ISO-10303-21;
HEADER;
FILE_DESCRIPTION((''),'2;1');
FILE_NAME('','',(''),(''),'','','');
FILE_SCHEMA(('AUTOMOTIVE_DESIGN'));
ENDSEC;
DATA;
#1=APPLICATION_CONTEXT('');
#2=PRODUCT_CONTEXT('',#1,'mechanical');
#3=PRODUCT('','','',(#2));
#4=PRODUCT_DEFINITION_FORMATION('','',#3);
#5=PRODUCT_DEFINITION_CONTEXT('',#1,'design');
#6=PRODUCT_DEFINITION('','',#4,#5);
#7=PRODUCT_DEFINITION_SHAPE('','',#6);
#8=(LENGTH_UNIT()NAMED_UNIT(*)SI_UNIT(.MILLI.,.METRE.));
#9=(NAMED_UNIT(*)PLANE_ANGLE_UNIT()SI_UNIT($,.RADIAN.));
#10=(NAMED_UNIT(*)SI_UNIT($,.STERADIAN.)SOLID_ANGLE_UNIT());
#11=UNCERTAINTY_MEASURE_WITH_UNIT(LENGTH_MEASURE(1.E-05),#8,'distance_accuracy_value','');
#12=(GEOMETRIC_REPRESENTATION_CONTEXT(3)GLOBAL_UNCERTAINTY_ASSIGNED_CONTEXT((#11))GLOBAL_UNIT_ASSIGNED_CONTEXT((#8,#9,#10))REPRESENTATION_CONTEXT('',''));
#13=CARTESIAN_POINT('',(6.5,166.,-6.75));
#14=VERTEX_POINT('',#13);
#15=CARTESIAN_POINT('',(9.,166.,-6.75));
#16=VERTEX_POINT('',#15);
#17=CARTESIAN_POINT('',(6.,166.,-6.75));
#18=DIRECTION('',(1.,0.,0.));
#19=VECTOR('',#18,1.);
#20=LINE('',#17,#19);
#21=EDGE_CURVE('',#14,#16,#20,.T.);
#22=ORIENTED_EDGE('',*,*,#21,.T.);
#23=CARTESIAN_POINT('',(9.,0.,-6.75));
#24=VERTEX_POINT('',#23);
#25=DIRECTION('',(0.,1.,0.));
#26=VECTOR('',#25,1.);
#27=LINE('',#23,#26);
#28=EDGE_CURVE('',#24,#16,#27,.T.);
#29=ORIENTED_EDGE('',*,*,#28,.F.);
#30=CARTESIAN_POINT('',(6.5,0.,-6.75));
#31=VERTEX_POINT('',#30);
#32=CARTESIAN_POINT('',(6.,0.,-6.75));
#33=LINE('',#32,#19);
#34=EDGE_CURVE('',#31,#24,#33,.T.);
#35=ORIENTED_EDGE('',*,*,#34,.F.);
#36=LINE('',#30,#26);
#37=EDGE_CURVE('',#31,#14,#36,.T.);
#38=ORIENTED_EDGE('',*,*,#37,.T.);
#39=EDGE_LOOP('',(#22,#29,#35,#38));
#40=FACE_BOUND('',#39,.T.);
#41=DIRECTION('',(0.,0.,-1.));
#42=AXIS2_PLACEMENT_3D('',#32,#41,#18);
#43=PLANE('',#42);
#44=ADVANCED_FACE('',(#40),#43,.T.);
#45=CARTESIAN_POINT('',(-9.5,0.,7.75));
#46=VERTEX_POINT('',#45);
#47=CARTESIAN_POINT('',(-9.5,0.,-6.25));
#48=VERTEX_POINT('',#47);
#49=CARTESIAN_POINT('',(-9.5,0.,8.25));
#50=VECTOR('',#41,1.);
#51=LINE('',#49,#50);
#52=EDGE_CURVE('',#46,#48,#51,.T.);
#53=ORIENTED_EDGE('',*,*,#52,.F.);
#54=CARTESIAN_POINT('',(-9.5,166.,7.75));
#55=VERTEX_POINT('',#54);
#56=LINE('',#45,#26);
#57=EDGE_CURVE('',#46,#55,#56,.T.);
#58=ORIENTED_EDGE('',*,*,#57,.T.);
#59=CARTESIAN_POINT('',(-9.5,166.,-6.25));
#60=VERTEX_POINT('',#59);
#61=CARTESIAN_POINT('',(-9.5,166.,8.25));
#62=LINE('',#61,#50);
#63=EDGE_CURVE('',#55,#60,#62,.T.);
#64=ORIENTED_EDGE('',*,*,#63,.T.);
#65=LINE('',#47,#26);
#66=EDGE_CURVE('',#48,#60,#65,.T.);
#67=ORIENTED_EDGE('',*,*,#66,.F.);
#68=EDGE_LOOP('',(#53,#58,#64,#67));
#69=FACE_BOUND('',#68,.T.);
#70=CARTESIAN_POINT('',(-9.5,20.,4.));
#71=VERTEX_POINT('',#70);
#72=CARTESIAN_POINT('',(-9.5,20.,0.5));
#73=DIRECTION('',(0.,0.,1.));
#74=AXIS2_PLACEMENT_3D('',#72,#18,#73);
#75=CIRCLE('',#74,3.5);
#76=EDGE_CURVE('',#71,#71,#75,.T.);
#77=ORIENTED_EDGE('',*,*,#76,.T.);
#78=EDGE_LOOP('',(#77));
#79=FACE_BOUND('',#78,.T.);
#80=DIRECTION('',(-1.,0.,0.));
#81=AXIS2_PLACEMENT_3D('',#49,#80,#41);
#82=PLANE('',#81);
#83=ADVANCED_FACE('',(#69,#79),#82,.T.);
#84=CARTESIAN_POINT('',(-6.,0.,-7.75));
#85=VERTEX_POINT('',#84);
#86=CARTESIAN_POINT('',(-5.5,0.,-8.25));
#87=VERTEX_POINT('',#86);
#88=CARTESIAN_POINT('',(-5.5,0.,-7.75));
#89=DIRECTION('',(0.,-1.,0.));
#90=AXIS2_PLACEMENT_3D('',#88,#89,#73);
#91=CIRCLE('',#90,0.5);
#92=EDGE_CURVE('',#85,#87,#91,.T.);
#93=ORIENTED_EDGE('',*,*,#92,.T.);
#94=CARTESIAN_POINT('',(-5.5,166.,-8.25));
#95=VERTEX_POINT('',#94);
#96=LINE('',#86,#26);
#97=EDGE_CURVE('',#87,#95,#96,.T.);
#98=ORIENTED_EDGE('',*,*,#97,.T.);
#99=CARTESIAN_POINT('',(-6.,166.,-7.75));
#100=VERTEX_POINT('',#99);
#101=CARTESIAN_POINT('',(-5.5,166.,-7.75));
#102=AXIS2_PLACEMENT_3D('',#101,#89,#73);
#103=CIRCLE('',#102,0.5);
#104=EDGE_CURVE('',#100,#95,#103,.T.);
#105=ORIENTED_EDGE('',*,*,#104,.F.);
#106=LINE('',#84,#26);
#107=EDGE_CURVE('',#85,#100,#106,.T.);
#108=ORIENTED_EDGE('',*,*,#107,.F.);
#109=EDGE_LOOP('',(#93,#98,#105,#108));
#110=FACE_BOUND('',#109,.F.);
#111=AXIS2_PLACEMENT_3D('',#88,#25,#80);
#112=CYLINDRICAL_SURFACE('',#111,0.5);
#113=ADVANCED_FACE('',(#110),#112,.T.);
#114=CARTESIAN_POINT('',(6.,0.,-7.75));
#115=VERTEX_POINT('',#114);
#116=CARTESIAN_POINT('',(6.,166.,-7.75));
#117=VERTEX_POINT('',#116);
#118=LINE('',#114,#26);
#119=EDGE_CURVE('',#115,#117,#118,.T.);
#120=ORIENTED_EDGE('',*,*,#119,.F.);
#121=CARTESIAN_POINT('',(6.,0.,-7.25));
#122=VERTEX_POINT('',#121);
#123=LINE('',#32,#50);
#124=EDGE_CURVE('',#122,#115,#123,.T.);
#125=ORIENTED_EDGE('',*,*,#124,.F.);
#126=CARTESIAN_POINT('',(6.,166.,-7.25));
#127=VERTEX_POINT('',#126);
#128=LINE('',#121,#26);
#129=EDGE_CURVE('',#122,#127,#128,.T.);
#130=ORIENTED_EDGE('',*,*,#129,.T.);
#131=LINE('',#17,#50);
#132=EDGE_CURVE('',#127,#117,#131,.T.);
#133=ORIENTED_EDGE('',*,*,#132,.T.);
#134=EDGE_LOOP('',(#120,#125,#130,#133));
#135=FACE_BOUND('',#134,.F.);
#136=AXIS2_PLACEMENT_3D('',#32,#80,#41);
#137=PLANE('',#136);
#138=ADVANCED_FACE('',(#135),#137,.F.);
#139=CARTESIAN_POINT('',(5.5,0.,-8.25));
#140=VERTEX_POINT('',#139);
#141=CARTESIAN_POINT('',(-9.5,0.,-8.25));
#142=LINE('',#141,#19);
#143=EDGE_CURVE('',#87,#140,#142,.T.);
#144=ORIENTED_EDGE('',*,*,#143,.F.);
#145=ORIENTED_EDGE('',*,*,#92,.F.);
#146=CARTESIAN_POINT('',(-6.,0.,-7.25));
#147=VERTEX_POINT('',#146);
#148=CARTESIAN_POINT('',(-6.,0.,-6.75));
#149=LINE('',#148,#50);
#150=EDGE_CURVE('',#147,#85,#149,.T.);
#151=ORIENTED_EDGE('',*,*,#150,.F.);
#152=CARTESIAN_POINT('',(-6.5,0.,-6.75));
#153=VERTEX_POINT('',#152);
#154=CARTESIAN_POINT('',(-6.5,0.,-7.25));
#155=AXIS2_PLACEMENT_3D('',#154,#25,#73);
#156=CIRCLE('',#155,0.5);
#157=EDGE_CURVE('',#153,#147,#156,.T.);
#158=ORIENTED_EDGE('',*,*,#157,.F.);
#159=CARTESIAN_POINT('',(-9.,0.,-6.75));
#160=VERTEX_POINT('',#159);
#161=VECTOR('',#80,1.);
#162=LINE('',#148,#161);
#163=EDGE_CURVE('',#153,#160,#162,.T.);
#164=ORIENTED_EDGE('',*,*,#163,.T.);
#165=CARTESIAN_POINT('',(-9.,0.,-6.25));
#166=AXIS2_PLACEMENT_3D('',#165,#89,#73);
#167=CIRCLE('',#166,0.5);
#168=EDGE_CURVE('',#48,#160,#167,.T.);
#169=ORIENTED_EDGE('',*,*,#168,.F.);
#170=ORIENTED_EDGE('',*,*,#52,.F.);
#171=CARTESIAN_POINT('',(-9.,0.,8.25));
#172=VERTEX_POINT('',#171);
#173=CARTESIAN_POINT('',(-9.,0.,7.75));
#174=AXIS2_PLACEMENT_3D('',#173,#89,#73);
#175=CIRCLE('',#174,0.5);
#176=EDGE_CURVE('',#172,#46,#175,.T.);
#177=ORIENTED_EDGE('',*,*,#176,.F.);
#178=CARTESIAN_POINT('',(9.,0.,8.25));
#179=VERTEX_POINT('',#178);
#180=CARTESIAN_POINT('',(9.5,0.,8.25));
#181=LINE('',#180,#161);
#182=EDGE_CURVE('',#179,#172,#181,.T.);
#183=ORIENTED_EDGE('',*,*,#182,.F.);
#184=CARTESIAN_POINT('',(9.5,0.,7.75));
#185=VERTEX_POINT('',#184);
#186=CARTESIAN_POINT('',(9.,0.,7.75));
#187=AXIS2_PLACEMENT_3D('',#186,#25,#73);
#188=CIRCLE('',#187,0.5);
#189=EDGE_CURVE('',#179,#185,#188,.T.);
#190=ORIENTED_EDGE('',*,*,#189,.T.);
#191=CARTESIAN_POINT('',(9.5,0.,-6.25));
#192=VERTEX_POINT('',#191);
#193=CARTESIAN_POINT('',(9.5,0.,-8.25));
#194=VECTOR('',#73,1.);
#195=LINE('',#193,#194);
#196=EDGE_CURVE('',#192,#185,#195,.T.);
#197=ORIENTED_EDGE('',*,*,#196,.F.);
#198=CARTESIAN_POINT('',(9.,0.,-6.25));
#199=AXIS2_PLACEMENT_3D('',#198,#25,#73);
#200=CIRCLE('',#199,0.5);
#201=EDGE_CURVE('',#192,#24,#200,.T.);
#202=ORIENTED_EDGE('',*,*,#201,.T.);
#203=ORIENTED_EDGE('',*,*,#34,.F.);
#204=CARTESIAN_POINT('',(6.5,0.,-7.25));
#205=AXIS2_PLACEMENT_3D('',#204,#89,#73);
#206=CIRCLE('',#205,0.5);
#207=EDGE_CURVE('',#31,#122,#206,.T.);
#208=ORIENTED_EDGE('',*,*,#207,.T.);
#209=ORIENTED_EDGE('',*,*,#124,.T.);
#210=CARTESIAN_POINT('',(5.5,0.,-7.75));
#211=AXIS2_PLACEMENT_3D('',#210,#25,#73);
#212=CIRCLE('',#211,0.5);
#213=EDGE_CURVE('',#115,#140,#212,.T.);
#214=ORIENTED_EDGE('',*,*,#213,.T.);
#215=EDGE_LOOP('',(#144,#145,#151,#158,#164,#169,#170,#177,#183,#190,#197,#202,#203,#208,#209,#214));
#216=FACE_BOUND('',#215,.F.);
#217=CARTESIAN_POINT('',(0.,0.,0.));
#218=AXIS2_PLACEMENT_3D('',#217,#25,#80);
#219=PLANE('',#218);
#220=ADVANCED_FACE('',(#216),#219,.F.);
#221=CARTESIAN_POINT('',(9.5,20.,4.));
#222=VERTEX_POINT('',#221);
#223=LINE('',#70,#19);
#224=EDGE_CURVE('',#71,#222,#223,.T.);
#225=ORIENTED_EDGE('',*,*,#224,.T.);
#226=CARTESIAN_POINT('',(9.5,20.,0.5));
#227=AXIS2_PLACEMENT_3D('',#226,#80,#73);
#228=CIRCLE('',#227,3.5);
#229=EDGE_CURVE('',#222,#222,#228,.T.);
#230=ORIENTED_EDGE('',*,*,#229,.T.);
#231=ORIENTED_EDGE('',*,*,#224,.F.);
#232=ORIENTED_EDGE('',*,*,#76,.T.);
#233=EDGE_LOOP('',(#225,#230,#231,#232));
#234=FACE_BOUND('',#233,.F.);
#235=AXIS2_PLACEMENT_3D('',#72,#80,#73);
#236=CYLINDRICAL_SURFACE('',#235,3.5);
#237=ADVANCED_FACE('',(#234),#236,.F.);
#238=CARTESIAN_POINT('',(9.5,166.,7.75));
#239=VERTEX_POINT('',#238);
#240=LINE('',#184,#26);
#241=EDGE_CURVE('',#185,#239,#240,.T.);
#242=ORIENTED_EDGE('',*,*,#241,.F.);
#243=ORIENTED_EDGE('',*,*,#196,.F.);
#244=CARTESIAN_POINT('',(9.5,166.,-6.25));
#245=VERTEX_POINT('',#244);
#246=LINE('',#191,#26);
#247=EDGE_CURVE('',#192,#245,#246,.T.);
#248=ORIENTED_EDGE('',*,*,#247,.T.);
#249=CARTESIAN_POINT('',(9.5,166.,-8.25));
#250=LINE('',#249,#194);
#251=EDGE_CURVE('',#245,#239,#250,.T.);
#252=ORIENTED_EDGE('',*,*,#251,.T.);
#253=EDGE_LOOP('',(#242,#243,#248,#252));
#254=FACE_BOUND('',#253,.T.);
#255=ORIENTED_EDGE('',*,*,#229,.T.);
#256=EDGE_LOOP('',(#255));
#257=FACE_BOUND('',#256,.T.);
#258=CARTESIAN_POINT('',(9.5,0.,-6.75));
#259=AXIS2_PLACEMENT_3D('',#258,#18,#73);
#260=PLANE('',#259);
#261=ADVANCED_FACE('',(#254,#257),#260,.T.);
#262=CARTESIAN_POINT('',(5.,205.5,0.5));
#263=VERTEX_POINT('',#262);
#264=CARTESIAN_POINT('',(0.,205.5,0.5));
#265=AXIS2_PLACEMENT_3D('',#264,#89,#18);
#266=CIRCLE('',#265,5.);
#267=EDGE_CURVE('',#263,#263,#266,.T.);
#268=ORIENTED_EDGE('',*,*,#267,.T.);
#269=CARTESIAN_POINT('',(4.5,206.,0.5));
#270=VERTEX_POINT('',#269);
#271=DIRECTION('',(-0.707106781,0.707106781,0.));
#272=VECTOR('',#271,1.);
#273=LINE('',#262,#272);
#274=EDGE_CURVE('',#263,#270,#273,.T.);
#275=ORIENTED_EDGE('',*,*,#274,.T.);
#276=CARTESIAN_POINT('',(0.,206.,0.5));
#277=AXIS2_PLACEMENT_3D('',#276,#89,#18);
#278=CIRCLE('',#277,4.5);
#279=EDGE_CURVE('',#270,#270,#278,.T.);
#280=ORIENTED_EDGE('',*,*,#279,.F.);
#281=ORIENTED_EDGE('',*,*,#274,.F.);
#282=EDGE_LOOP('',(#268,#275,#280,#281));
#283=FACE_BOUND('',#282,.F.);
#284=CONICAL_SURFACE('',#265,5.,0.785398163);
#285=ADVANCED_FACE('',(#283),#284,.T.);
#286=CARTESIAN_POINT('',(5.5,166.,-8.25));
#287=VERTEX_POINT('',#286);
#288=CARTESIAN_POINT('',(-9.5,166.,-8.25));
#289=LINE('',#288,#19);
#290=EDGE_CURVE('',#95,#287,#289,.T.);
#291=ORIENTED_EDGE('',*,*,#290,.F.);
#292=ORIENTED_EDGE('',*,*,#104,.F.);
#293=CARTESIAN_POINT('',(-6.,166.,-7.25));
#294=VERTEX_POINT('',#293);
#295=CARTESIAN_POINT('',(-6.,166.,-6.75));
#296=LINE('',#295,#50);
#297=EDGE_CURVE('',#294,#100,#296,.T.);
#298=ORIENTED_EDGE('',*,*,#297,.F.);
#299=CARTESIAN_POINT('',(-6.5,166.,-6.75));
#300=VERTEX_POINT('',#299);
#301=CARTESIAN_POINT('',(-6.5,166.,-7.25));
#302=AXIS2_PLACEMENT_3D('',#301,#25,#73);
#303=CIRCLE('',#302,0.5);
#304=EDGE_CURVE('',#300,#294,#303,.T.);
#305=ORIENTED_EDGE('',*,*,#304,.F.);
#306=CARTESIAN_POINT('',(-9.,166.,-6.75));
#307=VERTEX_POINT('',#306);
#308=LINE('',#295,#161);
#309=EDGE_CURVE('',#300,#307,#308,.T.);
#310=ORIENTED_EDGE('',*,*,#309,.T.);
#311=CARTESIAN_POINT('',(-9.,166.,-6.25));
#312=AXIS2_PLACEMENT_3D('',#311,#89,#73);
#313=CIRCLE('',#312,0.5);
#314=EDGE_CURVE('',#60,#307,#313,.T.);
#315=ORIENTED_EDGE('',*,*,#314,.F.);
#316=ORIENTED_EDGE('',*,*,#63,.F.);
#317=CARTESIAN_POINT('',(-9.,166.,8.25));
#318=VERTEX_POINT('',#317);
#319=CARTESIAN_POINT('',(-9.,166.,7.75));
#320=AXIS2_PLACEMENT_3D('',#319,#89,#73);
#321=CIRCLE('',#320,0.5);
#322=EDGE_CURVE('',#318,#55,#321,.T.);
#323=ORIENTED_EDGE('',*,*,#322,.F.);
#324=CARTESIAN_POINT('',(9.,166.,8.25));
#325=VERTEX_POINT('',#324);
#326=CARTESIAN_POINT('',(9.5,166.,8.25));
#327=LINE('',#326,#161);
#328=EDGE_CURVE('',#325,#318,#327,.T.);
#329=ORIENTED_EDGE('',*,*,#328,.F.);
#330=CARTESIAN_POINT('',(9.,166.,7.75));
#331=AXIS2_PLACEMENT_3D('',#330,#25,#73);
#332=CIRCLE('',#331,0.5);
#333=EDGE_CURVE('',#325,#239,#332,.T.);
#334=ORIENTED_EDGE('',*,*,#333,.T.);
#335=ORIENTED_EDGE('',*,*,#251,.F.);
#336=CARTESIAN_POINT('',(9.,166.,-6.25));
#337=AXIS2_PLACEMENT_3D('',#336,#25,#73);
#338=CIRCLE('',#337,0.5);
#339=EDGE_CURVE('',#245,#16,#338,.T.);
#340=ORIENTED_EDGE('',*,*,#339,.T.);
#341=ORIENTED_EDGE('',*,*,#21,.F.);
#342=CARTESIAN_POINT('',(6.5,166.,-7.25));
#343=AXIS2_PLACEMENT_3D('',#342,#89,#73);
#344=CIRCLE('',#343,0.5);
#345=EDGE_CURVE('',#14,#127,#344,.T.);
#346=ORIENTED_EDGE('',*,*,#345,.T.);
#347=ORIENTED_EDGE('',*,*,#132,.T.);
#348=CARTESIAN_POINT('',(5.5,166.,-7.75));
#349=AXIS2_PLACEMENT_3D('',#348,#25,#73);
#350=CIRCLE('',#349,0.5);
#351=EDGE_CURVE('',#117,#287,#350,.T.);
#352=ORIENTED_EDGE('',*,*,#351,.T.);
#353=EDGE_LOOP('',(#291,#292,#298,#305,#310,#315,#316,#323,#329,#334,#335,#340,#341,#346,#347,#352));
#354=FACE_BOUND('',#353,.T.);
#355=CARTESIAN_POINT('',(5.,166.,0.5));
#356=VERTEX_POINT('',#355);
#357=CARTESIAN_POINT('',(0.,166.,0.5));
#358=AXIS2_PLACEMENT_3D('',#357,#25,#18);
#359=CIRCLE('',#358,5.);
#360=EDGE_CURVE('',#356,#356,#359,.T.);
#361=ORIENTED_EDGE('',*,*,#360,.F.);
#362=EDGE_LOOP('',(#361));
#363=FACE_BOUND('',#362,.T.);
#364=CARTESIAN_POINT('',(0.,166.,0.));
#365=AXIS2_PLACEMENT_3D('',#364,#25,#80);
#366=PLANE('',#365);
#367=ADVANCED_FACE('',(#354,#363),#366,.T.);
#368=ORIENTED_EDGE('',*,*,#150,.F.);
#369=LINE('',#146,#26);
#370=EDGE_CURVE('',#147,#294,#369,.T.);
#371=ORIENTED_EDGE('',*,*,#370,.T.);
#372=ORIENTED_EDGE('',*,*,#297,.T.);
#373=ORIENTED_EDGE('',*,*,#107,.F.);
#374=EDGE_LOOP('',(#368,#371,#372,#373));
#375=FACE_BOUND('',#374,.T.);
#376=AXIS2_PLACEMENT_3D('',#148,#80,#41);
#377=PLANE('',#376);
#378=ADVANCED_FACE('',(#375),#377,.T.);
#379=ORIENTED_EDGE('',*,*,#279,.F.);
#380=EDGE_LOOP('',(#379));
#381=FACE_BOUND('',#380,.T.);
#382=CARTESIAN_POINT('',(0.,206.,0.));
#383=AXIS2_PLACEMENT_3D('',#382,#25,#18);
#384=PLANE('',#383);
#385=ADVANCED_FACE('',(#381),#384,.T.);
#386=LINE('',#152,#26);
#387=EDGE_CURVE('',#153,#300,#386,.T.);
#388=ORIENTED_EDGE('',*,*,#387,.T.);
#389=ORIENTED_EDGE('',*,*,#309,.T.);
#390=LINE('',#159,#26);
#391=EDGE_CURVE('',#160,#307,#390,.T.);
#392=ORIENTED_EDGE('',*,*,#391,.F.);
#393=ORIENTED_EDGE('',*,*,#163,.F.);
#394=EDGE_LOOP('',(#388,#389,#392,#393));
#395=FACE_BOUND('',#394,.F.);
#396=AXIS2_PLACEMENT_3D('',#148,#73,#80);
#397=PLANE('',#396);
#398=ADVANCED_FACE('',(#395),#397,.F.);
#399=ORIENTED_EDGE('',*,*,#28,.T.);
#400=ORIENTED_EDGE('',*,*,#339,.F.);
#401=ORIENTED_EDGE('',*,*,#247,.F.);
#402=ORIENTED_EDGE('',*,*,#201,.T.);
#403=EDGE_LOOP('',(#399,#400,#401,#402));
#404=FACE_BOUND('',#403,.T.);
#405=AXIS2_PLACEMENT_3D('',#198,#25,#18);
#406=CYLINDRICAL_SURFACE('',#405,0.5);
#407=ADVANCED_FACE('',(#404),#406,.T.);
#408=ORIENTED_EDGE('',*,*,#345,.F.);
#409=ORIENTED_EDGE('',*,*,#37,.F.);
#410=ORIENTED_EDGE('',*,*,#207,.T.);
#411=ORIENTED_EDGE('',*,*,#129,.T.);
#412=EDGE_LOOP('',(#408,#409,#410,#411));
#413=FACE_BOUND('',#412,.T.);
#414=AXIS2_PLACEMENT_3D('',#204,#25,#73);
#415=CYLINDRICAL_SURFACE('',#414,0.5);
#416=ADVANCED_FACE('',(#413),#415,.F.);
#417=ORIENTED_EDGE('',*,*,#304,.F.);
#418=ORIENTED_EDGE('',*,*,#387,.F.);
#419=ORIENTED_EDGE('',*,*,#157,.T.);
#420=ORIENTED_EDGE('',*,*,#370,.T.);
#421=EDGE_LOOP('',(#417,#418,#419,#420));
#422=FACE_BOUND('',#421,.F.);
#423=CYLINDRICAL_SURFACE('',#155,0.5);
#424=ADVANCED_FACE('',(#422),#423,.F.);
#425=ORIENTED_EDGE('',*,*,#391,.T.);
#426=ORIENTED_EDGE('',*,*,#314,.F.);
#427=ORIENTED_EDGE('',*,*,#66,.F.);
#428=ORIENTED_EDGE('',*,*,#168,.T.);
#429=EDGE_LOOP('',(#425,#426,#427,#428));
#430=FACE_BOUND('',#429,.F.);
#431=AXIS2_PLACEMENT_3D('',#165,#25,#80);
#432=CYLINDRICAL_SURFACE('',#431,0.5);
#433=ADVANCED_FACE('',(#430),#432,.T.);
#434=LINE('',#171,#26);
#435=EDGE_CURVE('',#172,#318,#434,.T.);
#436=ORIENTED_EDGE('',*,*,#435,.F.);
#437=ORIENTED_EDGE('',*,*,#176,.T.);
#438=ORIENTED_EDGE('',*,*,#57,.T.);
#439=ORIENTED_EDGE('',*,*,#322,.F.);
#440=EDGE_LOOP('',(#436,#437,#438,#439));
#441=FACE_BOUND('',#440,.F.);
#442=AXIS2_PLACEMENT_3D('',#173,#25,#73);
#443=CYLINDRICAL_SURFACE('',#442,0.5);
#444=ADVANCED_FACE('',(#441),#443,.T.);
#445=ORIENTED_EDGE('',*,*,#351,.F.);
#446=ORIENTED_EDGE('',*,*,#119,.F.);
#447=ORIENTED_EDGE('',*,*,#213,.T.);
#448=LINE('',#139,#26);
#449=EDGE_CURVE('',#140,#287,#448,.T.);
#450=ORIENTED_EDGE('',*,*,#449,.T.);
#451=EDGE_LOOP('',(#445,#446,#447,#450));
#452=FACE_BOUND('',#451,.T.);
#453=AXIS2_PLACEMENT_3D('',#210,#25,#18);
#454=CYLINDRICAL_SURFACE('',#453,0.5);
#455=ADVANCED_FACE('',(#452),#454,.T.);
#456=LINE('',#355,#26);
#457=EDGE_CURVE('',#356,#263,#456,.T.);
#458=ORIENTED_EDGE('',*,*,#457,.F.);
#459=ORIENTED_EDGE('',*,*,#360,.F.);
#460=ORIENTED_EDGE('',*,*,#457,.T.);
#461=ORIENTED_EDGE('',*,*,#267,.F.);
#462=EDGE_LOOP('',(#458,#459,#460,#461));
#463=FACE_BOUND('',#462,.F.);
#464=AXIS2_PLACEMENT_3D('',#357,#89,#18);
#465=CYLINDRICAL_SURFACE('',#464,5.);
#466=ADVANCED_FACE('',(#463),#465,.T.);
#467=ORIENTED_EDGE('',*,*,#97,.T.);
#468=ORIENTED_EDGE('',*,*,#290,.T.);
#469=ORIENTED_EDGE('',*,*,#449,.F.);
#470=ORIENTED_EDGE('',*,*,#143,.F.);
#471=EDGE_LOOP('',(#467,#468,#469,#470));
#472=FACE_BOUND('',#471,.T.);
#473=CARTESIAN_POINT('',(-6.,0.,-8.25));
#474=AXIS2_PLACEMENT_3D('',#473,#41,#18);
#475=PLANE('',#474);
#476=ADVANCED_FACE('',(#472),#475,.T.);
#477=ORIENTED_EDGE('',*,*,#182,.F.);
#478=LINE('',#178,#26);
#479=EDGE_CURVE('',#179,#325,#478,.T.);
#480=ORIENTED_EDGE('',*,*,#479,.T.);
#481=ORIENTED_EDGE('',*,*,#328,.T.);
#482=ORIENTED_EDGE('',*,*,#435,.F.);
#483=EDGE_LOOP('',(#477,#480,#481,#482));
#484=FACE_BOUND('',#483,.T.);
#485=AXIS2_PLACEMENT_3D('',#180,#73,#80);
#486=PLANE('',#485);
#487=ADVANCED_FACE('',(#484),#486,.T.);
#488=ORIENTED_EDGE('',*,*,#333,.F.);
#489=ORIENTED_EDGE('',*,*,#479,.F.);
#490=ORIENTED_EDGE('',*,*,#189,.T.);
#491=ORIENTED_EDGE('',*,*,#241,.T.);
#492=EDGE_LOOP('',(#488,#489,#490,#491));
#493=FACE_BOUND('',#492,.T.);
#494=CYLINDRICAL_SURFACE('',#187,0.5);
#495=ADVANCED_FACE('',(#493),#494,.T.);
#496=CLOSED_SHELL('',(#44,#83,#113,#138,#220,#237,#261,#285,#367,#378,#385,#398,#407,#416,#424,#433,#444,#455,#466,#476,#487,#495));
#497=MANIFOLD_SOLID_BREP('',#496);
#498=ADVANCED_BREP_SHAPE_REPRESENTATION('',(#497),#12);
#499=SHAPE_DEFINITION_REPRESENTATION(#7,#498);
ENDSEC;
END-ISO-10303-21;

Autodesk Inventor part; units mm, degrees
ref_plane "YZ Plane" through (0, 0, 0) normal (1, 0, 0) x (0, 1, 0)
ref_plane "XZ Plane" through (0, 0, 0) normal (0, 1, 0) x (-1, 0, 0)
ref_plane "XY Plane" through (0, 0, 0) normal (0, 0, 1) x (1, 0, 0)
sketch "Sketch1" plane through (0, 0, 0) normal (0, 1, 0) x (-1, 0, 0)
  line L0 (-9.5, 8.25) -> (9.5, 8.25)
  line L1 (9.5, 8.25) -> (9.5, -8.25)
  line L2 (9.5, -8.25) -> (-9.5, -8.25)
  line L3 (-9.5, -8.25) -> (-9.5, 8.25)
  line L4 (-9.5, 8.25) -> (9.5, -8.25) construction
  line L5 (9.5, 8.25) -> (-9.5, -8.25) construction
  line L6 (-6, 6.75) -> (6, 6.75)
  line L7 (6, 6.75) -> (6, -6.75)
  line L8 (6, -6.75) -> (-6, -6.75)
  line L9 (-6, -6.75) -> (-6, 6.75)
  line L10 (-6, 6.75) -> (6, -6.75) construction
  line L11 (6, 6.75) -> (-6, -6.75) construction
  line L12 (6, -6.75) -> (9.5, -6.75)
  line L13 (-6, -6.75) -> (-9.7082, -6.75)
  line L14 (6, -6.75) -> (6, -8.25)
  line L15 (-6, -6.75) -> (-6, -8.25)
  point P0 (0, 0)
  point P1 (-9.5, -6.75)
  dimension "d0" = 19
  dimension "d1" = 16.5
  dimension "d2" = 12
  dimension "d3" = 1.5
extrude "Extrusion1" add sketch "Sketch1" along normal blind 166 contours L0 L1 L12 L7 L6 L9 L13 L3 | L9 L6 L7 L8 | L8 L14 L2 L15
sketch "Sketch2" plane through (0, 166, 0) normal (0, 1, 0) x (1, 0, 0)
  line L0 (-9.5, -8.25) -> (9.5, -8.25) projected
  line L1 (9.5, -8.25) -> (0, -8.25)
  line L2 (0, -8.25) -> (0, -0.5)
  line L3 (0, -0.5) -> (9.5, -0.5)
  line L4 (9.5, -0.5) -> (9.5, -8.25)
  circle A0 centre (0, -0.5) radius 5
  point P0 (0, 0)
  dimension "d6" = 7.75
  dimension "d7" = 10
extrude "Extrusion2" add sketch "Sketch2" along normal blind 40 contours A0 L3 L2 | L2 L3 A0
thread "Thread1" size "M10x1.5" class "6g" standard "ANSI Metric M Profile" length 40
chamfer "Chamfer1" distance 0.5 angle 45 1 edges at (-5, 206, 0.5)
fillet "Fillet1" radius 0.5 8 edges at (9.5, 83, -6.75) (6, 83, -8.25) (9.5, 83, 8.25) (-9.5, 83, 8.25) (-9.5, 83, -6.75) (-6, 83, -6.75) (-6, 83, -8.25) (6, 83, -6.75)
sketch "Sketch3" plane through (-9.5, 0, -6.25) normal (-1, 0, 0) x (0, 0, 1)
  line L0 (14.5, 0) -> (14.5, 166) projected
  line L1 (14.5, 0) -> (6.75, 0)
  line L2 (6.75, 0) -> (6.75, 206.1896)
  line L3 (6.75, 206.1896) -> (14.5, 206.1896)
  line L4 (14.5, 206.1896) -> (14.5, 0)
  line L5 (6.75, 0) -> (6.75, 20)
  circle A0 centre (6.75, 20) radius 3.5
  point P0 (6.25, 0)
  dimension "d16" = 20
  dimension "d17" = 7
extrude "Extrusion3" cut sketch "Sketch3" against normal through all contours A0 L2 | L2 A0
properties part number "oszlop"
